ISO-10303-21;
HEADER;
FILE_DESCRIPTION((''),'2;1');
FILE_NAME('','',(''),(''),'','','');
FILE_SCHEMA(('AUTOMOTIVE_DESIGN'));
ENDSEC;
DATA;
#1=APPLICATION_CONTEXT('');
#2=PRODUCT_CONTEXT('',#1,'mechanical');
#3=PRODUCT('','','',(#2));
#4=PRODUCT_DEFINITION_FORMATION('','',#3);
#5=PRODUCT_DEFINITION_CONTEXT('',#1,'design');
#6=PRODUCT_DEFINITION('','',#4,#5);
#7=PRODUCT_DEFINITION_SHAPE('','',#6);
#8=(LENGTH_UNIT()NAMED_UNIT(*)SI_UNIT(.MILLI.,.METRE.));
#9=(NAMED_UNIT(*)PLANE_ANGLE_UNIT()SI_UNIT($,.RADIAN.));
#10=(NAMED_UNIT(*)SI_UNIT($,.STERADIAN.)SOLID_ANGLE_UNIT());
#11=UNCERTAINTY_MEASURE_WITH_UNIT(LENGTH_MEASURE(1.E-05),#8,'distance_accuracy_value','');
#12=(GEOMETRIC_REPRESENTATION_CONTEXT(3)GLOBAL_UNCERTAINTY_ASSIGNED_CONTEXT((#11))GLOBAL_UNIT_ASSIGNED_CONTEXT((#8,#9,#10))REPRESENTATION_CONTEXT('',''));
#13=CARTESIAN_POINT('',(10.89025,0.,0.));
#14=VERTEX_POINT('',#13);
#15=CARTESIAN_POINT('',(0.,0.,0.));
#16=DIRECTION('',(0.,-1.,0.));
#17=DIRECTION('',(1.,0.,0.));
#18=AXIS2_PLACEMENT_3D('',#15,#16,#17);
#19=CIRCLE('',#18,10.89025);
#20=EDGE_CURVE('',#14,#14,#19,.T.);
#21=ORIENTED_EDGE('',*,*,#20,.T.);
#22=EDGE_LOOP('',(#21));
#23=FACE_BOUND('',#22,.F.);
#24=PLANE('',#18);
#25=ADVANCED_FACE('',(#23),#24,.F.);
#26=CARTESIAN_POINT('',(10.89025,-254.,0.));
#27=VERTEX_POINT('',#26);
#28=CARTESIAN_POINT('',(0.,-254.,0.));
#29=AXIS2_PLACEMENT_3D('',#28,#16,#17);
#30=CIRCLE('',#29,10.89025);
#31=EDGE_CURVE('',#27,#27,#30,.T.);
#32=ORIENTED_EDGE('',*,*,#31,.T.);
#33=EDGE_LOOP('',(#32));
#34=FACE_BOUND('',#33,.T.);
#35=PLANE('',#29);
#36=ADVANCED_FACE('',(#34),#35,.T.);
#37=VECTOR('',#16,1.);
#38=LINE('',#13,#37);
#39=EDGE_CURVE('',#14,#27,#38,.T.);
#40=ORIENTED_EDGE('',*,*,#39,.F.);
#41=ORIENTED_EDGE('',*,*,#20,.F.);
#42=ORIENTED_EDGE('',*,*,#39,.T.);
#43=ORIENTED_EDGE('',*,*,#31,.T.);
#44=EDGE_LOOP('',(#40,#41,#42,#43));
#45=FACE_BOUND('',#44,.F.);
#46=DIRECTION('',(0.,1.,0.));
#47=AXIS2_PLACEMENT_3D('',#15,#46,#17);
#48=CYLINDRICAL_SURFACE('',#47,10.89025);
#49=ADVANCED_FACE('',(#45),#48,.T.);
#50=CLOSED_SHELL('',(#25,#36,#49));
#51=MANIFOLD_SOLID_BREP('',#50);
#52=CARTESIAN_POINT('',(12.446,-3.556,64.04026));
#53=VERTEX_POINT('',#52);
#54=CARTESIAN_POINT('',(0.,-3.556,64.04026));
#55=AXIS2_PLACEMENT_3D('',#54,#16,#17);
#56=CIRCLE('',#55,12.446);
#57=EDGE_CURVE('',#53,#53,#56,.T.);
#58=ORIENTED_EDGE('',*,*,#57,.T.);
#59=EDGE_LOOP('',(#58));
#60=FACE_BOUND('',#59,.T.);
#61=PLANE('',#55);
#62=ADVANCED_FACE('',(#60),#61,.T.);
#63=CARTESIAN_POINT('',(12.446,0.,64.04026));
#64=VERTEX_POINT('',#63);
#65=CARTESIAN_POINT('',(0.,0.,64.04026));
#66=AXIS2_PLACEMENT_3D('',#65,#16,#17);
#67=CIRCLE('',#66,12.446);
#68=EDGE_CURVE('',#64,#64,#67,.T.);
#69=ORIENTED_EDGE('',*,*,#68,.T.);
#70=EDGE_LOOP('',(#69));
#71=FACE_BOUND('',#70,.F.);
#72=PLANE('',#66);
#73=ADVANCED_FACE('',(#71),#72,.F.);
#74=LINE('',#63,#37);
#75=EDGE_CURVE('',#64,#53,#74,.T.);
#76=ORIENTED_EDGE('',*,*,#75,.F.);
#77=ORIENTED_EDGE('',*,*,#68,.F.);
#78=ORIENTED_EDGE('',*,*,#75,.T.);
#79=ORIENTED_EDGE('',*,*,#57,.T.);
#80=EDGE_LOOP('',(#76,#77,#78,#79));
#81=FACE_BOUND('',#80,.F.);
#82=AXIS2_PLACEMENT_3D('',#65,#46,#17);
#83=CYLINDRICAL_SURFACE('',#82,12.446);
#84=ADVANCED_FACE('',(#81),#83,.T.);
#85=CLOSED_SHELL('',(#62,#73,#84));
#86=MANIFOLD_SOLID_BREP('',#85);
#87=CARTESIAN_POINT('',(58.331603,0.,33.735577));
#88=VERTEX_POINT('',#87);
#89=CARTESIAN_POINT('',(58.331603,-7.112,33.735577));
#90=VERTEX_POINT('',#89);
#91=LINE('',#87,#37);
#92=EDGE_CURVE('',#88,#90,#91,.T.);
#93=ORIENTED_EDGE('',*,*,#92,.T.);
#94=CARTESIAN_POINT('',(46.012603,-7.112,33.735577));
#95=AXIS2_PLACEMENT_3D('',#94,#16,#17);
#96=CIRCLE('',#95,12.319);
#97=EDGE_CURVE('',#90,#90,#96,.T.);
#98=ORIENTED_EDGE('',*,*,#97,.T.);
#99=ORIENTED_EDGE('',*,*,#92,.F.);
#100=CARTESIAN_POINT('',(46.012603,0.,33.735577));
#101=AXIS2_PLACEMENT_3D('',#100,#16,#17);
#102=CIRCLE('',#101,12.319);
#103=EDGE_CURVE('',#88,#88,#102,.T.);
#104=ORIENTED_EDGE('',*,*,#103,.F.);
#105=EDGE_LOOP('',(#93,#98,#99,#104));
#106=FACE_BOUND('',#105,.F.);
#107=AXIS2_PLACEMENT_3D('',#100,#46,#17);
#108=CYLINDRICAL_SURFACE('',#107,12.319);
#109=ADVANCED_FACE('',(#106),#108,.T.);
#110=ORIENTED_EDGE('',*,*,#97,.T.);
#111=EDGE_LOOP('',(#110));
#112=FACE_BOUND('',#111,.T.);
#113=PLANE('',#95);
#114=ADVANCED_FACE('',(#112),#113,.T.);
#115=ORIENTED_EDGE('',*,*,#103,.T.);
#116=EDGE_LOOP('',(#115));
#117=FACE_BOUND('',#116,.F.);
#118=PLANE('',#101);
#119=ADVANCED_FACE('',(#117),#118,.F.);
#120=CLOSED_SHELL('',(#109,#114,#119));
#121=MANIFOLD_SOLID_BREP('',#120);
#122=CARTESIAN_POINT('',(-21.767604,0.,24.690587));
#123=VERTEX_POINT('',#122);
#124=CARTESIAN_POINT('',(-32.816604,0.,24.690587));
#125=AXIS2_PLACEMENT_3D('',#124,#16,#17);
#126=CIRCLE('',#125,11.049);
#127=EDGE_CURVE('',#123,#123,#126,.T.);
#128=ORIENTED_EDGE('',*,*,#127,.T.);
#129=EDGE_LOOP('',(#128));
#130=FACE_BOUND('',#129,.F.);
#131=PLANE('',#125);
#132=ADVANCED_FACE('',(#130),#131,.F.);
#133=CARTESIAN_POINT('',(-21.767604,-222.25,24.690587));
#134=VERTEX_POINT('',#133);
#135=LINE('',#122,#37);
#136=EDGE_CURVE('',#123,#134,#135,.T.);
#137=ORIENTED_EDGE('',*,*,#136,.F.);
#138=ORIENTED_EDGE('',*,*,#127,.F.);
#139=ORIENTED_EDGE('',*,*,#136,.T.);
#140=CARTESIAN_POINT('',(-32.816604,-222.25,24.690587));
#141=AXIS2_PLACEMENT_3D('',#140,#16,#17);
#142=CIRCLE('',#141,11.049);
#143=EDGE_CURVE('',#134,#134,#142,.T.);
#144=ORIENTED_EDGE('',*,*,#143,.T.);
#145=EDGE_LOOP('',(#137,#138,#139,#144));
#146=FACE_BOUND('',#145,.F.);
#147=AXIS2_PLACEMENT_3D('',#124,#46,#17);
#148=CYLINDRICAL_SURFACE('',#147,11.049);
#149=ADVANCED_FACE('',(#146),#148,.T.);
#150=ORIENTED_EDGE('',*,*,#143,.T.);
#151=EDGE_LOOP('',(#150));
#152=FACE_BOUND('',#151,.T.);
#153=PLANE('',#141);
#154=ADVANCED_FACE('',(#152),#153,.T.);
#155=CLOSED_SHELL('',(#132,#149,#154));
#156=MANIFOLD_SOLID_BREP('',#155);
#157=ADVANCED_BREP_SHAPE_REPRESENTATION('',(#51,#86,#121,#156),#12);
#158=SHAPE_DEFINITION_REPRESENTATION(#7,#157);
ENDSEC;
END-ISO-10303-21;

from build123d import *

# Parameters (mm, degrees)
F0_R     = 10.89025
F1_DEPTH = 254
F2_R     = 11.049
F3_DEPTH = 222.25
F4_R     = 12.319
F5_DEPTH = 7.112
F6_R     = 12.446
F7_DEPTH = 3.556


with BuildPart() as f1:
    # F0 (on Front) → F1 (new body)
    with BuildSketch(Plane.XZ):
        Circle(F0_R)
    extrude(amount=F1_DEPTH)


with BuildPart() as f3:
    # F2 (on Front) → F3 (new body)
    with BuildSketch(Plane.XZ):
        with Locations((-32.816604, 24.690587)):
            Circle(F2_R)
    extrude(amount=F3_DEPTH)


with BuildPart() as f5:
    # F4 (on Front) → F5 (new body)
    with BuildSketch(Plane.XZ):
        with Locations((46.012603, 33.735577)):
            Circle(F4_R)
    extrude(amount=F5_DEPTH)


with BuildPart() as f7:
    # F6 (on Front) → F7 (new body)
    with BuildSketch(Plane.XZ):
        with Locations((0, 64.04026)):
            Circle(F6_R)
    extrude(amount=F7_DEPTH)


solid = Compound([f1.part, f3.part, f5.part, f7.part])
